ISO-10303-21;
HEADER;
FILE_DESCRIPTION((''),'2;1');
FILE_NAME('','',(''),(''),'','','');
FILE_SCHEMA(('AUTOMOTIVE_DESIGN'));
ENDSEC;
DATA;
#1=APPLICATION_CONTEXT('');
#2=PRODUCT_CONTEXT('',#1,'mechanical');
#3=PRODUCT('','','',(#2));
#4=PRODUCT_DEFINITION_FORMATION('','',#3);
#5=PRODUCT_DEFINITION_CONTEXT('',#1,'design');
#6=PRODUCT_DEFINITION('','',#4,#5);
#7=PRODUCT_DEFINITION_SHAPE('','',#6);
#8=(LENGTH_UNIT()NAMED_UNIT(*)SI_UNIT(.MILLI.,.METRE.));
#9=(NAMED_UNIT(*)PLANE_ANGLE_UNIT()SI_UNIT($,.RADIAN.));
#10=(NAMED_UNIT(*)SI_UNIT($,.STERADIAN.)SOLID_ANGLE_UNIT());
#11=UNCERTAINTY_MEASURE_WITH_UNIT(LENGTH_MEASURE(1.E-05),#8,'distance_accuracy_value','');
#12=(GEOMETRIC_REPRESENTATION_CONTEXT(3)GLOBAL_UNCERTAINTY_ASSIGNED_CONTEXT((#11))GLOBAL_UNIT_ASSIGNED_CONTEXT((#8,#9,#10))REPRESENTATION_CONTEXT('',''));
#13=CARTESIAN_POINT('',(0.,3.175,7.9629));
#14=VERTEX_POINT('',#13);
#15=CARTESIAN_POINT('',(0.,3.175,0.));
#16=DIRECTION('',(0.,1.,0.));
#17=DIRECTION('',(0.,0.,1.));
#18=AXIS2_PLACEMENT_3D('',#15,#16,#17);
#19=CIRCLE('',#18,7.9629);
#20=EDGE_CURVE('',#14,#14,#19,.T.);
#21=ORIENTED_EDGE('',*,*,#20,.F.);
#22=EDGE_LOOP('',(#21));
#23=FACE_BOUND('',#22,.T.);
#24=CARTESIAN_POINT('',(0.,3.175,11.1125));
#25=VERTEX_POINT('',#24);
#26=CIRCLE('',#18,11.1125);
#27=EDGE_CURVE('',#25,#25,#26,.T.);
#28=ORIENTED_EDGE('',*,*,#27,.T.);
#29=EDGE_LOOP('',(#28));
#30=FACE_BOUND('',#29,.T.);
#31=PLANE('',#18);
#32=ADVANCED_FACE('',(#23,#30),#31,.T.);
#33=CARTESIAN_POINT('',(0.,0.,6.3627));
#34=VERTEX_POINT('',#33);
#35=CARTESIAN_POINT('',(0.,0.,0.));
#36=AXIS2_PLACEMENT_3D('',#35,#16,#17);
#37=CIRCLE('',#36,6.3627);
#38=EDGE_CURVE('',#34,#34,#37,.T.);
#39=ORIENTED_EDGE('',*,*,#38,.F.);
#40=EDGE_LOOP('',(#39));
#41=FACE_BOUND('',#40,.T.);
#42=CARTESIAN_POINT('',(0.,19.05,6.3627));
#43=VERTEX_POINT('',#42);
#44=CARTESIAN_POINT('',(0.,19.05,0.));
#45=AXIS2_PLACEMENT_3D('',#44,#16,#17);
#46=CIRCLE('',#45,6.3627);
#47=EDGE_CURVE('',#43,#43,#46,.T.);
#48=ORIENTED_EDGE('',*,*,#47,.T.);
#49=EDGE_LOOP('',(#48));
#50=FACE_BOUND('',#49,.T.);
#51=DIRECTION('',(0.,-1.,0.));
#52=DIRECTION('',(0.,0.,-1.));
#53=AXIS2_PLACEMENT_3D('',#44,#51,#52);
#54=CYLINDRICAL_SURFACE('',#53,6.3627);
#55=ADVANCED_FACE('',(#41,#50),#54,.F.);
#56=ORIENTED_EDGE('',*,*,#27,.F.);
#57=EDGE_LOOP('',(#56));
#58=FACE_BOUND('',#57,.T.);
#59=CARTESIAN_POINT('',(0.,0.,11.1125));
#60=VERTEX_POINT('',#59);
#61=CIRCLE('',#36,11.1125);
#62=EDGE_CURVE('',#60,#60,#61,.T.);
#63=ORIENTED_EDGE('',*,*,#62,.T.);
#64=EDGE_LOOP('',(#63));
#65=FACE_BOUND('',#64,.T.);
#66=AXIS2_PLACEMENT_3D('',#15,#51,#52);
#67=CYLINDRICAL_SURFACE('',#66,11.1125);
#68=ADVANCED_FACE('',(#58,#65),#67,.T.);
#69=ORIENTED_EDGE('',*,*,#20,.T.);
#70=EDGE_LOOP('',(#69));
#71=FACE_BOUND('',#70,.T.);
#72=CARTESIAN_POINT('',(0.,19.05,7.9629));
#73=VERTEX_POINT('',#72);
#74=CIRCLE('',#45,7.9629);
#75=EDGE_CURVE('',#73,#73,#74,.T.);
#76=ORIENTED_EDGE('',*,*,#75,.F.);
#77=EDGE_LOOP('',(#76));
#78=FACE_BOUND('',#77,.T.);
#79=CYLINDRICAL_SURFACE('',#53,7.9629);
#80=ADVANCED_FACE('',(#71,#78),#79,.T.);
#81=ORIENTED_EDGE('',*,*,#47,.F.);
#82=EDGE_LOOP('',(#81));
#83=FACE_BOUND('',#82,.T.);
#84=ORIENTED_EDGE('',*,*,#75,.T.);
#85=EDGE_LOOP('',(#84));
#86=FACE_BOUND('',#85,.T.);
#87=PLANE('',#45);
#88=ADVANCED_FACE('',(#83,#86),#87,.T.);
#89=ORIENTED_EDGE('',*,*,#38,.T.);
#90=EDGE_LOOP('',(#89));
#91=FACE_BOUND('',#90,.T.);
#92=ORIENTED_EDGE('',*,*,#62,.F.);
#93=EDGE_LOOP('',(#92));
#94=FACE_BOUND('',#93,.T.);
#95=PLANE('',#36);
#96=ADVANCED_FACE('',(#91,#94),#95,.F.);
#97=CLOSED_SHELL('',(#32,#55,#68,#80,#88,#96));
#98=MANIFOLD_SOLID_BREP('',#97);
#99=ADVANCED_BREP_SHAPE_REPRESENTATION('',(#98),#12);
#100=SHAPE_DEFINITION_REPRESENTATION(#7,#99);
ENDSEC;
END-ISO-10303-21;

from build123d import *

# Parameters (mm, degrees)
SKETCH2_R           = 7.9629
SKETCH2_R_2         = 6.3627
BOSS_EXTRUDE1_DEPTH = 19.05
SKETCH3_R           = 11.1125
SKETCH3_R_2         = 7.9629
BOSS_EXTRUDE2_DEPTH = 3.175


with BuildPart() as part:
    # Sketch2 → Boss-Extrude1 (new body)
    with BuildSketch(Plane(origin=(0, 0, 0), x_dir=(1, 0, 0), z_dir=(0, 1, 0))):
        Circle(SKETCH2_R)
        Circle(SKETCH2_R_2, mode=Mode.SUBTRACT)
    extrude(amount=BOSS_EXTRUDE1_DEPTH)

    # Sketch3 → Boss-Extrude2 (add)
    with BuildSketch(Plane(origin=(0, 0, 0), x_dir=(1, 0, 0), z_dir=(0, 1, 0))):
        Circle(SKETCH3_R)
        Circle(SKETCH3_R_2, mode=Mode.SUBTRACT)
    extrude(amount=BOSS_EXTRUDE2_DEPTH)


solid = part.part
